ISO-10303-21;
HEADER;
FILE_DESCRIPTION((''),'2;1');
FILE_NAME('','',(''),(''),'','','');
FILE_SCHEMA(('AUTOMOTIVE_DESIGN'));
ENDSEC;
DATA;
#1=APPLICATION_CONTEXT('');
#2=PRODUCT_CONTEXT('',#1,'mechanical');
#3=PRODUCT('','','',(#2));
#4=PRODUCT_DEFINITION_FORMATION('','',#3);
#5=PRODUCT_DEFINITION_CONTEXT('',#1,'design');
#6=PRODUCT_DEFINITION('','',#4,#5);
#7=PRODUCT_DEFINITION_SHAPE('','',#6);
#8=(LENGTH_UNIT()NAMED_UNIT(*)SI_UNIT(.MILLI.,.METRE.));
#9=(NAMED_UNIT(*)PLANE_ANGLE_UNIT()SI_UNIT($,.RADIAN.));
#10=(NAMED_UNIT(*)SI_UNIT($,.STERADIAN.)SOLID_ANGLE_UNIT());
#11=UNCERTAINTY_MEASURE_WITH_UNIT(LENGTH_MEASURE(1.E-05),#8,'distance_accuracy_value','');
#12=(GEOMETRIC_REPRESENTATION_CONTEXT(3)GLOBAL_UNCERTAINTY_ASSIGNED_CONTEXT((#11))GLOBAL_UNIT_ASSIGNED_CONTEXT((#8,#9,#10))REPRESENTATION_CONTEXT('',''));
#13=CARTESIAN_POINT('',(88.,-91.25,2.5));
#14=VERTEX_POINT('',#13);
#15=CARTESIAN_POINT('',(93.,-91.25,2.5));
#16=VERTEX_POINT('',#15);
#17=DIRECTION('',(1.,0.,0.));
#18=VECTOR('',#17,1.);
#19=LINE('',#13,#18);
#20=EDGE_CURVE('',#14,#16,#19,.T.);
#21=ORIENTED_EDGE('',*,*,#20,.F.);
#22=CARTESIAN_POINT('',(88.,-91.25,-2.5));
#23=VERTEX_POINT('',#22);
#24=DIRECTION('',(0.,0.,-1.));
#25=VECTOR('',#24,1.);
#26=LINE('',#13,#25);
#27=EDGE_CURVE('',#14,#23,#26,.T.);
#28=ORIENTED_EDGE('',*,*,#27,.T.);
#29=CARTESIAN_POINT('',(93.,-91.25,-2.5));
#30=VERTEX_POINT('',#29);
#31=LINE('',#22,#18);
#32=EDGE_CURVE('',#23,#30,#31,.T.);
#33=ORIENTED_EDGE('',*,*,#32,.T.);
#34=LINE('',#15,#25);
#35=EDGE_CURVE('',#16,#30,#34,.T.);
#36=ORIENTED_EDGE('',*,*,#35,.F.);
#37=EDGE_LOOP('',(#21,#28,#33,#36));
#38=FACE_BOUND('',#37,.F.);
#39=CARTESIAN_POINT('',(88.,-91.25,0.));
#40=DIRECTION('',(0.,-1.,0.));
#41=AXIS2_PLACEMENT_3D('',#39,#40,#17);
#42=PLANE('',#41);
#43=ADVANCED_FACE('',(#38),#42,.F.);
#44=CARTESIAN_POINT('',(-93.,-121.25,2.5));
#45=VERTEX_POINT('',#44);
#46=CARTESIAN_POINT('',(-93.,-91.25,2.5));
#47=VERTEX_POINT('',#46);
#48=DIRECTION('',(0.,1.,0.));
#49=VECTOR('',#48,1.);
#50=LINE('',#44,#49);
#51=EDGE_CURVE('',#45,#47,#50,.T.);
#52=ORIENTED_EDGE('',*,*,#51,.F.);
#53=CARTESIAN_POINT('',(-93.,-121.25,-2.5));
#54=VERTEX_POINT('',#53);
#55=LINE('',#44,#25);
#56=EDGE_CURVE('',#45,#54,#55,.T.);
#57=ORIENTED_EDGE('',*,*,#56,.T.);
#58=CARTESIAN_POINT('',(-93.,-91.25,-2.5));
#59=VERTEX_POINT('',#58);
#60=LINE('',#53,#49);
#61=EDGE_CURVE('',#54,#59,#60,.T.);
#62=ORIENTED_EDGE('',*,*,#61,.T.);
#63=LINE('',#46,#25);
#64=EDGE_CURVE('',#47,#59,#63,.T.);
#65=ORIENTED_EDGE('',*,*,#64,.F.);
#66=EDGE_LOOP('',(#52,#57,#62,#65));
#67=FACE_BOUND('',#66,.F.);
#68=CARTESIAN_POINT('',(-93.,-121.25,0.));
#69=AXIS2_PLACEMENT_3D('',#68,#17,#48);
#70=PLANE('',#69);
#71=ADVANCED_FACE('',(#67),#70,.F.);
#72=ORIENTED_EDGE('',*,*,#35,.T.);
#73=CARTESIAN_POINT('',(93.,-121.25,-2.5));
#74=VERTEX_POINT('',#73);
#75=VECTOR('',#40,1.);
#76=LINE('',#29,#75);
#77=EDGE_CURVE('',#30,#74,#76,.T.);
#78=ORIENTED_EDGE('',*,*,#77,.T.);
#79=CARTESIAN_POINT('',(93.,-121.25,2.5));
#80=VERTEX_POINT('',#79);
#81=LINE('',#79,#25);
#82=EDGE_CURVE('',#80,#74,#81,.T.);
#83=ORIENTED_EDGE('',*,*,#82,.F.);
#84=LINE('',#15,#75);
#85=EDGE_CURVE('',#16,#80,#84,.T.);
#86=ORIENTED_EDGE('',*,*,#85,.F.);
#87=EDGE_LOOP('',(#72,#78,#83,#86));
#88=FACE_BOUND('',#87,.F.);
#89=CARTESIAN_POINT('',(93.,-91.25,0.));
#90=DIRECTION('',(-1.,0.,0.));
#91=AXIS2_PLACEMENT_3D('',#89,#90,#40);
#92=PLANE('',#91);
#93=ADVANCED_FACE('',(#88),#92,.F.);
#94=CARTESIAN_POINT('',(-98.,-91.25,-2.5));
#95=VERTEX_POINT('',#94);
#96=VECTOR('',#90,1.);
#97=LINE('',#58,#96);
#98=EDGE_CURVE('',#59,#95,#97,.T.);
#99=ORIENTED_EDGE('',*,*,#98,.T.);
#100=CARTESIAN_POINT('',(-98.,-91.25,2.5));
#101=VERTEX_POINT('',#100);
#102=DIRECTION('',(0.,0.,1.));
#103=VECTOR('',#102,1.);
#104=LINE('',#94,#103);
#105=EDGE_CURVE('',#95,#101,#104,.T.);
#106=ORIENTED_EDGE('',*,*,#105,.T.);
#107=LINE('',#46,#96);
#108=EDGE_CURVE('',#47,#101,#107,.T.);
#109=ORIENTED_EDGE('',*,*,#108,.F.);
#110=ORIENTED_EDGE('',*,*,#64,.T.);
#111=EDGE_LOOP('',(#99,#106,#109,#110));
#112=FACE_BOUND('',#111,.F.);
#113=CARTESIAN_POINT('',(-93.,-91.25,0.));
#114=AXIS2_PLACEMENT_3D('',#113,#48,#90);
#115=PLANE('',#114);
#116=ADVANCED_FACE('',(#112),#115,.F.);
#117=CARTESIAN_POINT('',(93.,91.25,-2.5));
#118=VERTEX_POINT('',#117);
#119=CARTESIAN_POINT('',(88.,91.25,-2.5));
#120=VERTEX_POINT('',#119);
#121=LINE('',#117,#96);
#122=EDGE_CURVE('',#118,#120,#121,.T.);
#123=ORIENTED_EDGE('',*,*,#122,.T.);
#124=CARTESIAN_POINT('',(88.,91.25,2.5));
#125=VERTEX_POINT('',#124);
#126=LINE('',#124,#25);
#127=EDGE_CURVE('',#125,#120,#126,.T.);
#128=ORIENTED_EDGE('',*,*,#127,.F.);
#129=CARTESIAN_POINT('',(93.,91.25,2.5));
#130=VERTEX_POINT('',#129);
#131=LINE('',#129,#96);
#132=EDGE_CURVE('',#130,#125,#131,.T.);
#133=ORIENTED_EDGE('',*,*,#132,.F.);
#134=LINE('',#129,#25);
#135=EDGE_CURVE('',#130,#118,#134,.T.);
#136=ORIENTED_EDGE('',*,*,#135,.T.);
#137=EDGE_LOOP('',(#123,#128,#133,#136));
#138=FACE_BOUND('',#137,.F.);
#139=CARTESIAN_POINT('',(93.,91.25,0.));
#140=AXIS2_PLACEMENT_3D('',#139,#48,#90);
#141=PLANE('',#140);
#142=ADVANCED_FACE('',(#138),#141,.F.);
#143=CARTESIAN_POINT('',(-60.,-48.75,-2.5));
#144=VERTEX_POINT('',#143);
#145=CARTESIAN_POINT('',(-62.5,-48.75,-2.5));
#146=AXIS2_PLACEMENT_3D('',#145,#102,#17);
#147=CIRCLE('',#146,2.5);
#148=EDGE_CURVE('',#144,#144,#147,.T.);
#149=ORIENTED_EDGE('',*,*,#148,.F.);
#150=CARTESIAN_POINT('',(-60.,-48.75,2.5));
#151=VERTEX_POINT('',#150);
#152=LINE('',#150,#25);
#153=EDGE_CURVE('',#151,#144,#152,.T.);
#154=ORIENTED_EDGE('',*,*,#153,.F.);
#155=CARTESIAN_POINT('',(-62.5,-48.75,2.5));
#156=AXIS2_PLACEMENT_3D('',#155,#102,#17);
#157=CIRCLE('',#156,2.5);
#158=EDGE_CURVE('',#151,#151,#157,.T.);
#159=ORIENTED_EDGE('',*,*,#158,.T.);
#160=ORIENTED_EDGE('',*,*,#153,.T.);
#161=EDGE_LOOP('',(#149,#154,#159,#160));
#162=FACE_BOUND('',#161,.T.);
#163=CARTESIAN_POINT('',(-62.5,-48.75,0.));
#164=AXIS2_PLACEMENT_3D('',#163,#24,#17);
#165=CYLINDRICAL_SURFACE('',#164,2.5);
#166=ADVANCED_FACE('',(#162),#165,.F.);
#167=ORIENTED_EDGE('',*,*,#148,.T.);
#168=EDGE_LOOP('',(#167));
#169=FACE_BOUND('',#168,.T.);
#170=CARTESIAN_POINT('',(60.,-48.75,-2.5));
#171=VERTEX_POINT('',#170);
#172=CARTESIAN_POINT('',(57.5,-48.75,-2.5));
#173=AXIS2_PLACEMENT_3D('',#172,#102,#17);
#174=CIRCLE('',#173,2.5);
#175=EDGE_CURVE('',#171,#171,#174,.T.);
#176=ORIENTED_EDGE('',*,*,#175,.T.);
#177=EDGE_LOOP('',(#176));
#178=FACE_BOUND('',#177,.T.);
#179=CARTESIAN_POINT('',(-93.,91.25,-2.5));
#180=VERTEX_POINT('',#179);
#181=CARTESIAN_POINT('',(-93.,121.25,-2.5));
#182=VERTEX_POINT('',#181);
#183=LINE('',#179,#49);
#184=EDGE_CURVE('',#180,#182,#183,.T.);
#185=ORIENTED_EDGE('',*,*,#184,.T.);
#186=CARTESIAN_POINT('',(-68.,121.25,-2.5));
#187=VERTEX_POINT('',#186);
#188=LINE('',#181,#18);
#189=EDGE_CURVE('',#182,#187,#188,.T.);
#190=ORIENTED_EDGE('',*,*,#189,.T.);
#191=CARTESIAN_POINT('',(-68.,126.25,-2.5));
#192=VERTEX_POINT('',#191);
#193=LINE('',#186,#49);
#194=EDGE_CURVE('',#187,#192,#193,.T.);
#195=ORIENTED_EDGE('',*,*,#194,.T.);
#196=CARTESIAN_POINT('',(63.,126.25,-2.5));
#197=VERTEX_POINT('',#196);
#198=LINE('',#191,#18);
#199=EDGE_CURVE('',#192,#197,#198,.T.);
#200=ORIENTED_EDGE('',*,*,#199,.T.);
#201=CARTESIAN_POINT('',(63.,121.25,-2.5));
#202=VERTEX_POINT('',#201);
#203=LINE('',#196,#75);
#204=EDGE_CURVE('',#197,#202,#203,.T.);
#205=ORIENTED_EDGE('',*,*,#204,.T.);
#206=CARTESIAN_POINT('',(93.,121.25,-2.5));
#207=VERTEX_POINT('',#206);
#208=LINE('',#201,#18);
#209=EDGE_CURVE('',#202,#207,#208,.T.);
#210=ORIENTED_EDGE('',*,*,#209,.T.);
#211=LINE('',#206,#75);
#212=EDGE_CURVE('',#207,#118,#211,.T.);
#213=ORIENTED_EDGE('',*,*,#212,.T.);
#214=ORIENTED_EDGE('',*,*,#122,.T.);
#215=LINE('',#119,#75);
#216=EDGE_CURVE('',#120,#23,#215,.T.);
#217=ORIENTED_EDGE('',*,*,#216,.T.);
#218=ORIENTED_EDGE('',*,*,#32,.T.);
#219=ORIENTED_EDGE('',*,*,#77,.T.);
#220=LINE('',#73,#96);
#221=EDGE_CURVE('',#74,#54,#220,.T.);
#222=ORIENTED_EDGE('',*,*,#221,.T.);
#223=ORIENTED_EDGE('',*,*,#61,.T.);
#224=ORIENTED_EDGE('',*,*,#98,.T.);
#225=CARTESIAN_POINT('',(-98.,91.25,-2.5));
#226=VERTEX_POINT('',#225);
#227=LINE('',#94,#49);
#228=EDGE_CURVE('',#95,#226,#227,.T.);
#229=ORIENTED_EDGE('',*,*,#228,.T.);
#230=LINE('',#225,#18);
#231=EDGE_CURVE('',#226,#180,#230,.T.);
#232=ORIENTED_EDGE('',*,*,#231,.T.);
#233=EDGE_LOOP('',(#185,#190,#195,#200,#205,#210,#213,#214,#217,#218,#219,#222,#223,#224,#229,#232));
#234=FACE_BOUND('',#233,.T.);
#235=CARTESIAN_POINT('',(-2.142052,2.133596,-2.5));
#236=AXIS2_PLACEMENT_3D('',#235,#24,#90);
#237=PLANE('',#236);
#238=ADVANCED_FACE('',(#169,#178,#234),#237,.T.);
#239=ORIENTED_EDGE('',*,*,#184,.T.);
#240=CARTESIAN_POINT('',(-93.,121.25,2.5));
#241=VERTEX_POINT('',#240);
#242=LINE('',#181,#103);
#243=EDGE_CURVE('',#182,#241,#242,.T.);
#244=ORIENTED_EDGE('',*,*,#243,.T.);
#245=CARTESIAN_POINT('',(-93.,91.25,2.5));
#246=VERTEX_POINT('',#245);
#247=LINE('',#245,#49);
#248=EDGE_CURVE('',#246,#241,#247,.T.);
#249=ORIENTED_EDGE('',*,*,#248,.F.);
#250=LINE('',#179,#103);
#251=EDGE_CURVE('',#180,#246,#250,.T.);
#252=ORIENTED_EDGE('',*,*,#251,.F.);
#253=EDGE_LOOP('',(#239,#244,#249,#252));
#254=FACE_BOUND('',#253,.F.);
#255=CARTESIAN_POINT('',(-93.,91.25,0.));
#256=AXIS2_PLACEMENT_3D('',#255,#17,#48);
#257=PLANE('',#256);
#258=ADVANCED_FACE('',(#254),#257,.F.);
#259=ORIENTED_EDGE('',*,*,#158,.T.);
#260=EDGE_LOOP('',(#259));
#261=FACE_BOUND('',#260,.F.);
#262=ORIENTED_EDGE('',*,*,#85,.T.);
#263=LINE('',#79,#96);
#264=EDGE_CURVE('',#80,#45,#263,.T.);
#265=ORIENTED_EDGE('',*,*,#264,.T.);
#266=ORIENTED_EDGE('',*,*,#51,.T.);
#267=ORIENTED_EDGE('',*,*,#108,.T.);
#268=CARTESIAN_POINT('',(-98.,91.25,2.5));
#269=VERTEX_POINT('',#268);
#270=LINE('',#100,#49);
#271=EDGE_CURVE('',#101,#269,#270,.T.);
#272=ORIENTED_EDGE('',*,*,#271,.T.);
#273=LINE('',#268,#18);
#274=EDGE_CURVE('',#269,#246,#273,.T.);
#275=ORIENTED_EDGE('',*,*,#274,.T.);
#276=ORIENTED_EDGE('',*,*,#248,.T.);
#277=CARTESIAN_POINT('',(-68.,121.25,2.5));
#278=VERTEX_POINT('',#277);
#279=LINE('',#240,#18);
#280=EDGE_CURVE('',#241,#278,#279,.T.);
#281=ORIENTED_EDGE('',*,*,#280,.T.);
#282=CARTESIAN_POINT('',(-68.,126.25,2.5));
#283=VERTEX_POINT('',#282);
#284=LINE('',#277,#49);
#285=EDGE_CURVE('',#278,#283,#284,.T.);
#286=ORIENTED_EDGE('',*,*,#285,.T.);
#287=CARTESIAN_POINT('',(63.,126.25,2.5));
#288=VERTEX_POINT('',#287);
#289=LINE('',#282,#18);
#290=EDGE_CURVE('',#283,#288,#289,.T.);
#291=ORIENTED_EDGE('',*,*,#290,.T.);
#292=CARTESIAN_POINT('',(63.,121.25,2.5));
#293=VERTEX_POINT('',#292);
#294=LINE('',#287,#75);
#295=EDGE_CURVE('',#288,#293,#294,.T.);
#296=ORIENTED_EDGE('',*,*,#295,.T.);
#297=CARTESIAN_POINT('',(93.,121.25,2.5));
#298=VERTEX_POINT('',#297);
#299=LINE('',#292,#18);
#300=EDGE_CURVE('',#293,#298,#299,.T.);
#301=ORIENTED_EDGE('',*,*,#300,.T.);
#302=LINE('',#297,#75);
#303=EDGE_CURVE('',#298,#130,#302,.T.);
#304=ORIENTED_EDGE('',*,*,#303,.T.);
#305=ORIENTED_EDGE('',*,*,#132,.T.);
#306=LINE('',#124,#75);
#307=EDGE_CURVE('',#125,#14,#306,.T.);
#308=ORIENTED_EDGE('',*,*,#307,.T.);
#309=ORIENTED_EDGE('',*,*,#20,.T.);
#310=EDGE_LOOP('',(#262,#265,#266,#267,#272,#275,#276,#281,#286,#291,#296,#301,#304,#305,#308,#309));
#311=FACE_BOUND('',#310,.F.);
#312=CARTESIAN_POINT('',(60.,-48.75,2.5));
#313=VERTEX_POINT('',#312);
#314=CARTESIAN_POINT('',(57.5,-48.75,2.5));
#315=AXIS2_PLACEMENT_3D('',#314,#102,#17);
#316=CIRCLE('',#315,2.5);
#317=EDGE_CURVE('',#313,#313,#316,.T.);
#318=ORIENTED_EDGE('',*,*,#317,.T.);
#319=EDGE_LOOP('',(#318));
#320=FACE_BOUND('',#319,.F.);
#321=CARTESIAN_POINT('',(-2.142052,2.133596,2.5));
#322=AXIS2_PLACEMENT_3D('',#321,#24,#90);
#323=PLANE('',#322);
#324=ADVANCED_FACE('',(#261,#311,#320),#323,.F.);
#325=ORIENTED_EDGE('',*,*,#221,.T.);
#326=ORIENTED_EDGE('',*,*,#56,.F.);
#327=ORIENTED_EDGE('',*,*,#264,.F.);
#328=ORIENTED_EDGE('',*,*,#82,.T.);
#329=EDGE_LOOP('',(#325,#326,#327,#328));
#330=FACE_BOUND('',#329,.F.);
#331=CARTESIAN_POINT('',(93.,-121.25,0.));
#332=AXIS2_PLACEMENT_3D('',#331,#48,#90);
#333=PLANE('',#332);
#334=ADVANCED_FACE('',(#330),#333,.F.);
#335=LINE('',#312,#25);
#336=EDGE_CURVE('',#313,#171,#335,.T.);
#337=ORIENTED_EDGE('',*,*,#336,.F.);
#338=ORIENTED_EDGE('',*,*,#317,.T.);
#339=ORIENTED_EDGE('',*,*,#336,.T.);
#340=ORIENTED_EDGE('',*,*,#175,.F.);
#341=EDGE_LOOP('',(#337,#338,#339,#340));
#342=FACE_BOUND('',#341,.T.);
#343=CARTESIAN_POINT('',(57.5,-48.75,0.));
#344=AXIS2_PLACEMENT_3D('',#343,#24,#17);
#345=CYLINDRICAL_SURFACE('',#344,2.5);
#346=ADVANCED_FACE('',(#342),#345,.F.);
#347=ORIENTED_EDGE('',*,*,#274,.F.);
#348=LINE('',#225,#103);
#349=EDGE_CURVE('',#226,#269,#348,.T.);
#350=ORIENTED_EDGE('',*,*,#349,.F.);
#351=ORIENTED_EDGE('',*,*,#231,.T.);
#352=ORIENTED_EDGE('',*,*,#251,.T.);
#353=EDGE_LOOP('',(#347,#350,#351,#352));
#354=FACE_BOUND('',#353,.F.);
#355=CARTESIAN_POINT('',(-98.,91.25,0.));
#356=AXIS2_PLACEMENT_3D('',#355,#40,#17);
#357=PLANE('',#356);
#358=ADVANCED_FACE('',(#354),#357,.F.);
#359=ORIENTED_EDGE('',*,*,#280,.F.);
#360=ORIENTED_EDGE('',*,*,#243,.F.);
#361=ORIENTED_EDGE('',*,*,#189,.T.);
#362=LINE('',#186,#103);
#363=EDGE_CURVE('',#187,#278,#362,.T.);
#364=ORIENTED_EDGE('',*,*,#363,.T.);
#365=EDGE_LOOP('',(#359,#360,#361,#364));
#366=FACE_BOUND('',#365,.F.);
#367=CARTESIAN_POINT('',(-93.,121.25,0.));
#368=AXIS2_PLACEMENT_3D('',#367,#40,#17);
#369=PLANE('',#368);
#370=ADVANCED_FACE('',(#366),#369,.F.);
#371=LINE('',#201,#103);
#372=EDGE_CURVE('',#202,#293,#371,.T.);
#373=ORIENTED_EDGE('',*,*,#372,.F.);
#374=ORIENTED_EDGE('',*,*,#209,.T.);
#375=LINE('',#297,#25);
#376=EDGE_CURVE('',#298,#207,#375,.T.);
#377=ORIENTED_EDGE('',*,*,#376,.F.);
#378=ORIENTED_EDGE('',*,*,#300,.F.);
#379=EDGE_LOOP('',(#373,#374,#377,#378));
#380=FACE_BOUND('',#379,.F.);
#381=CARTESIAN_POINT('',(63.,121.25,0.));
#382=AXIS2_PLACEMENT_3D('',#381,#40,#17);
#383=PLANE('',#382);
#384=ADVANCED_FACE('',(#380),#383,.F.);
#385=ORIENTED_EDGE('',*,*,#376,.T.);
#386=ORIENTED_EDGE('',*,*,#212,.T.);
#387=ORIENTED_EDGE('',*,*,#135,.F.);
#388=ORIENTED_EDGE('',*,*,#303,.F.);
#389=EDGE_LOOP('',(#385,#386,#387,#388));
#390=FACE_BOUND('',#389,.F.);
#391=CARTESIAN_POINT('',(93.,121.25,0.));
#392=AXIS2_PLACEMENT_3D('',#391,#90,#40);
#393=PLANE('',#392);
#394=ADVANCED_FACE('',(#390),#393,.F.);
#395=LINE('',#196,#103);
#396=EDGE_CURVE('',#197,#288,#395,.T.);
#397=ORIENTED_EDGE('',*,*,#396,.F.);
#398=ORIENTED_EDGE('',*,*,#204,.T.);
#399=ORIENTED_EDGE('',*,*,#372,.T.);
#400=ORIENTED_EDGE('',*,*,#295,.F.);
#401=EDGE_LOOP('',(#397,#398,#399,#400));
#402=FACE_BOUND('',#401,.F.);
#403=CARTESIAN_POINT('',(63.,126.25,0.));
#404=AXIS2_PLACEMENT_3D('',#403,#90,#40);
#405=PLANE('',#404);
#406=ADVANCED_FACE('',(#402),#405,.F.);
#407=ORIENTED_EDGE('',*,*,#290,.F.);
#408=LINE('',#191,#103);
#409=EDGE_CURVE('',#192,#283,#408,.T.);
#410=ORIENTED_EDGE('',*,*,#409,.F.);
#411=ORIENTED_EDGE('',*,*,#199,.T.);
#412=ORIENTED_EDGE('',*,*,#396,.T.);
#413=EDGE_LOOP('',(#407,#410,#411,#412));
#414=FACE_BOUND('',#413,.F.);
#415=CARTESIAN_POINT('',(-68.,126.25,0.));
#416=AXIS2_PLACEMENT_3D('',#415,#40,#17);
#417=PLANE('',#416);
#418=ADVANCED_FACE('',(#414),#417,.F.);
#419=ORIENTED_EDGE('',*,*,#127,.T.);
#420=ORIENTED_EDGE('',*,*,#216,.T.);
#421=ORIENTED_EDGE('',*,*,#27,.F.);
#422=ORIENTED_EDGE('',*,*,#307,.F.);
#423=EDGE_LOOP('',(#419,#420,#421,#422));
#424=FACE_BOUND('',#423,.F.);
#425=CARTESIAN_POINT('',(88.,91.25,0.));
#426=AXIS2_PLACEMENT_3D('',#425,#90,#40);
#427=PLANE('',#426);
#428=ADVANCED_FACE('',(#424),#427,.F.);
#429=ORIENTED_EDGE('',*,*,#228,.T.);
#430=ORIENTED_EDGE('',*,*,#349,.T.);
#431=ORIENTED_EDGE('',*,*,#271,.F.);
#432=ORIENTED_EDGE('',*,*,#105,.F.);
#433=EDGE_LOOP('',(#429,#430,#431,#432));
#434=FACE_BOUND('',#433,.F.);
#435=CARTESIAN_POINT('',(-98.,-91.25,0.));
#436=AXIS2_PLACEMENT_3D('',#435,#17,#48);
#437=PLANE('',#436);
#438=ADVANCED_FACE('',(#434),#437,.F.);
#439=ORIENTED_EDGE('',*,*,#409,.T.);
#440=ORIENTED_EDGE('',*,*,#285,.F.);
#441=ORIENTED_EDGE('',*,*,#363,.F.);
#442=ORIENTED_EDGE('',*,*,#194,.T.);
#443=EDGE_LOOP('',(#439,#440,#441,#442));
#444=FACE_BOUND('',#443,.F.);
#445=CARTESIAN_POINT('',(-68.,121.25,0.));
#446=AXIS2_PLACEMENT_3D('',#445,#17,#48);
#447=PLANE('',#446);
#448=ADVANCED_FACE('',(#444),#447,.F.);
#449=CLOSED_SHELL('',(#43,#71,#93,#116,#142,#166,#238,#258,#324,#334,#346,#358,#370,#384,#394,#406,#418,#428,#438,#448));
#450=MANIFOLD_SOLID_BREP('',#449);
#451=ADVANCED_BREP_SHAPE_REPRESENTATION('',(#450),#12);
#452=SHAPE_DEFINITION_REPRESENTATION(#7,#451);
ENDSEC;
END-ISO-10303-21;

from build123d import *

# Parameters (mm, degrees)
SKETCH_R  = 2.5
PAD_DEPTH = 2.5


with BuildPart() as part:
    # Sketch → Pad (new body, symmetric)
    with BuildSketch(Plane.XY):
        Polygon((63, 121.25), (93, 121.25), (93, 91.25), (88, 91.25), (88, -91.25), (93, -91.25), (93, -121.25), (-93, -121.25), (-93, -91.25), (-98, -91.25), (-98, 91.25), (-93, 91.25), (-93, 121.25), (-68, 121.25), (-68, 126.25), (63, 126.25), align=None)
        with Locations((57.5, -48.75)):
            Circle(SKETCH_R, mode=Mode.SUBTRACT)
        with Locations((-62.5, -48.75)):
            Circle(SKETCH_R, mode=Mode.SUBTRACT)
    extrude(amount=PAD_DEPTH, both=True)


solid = part.part
